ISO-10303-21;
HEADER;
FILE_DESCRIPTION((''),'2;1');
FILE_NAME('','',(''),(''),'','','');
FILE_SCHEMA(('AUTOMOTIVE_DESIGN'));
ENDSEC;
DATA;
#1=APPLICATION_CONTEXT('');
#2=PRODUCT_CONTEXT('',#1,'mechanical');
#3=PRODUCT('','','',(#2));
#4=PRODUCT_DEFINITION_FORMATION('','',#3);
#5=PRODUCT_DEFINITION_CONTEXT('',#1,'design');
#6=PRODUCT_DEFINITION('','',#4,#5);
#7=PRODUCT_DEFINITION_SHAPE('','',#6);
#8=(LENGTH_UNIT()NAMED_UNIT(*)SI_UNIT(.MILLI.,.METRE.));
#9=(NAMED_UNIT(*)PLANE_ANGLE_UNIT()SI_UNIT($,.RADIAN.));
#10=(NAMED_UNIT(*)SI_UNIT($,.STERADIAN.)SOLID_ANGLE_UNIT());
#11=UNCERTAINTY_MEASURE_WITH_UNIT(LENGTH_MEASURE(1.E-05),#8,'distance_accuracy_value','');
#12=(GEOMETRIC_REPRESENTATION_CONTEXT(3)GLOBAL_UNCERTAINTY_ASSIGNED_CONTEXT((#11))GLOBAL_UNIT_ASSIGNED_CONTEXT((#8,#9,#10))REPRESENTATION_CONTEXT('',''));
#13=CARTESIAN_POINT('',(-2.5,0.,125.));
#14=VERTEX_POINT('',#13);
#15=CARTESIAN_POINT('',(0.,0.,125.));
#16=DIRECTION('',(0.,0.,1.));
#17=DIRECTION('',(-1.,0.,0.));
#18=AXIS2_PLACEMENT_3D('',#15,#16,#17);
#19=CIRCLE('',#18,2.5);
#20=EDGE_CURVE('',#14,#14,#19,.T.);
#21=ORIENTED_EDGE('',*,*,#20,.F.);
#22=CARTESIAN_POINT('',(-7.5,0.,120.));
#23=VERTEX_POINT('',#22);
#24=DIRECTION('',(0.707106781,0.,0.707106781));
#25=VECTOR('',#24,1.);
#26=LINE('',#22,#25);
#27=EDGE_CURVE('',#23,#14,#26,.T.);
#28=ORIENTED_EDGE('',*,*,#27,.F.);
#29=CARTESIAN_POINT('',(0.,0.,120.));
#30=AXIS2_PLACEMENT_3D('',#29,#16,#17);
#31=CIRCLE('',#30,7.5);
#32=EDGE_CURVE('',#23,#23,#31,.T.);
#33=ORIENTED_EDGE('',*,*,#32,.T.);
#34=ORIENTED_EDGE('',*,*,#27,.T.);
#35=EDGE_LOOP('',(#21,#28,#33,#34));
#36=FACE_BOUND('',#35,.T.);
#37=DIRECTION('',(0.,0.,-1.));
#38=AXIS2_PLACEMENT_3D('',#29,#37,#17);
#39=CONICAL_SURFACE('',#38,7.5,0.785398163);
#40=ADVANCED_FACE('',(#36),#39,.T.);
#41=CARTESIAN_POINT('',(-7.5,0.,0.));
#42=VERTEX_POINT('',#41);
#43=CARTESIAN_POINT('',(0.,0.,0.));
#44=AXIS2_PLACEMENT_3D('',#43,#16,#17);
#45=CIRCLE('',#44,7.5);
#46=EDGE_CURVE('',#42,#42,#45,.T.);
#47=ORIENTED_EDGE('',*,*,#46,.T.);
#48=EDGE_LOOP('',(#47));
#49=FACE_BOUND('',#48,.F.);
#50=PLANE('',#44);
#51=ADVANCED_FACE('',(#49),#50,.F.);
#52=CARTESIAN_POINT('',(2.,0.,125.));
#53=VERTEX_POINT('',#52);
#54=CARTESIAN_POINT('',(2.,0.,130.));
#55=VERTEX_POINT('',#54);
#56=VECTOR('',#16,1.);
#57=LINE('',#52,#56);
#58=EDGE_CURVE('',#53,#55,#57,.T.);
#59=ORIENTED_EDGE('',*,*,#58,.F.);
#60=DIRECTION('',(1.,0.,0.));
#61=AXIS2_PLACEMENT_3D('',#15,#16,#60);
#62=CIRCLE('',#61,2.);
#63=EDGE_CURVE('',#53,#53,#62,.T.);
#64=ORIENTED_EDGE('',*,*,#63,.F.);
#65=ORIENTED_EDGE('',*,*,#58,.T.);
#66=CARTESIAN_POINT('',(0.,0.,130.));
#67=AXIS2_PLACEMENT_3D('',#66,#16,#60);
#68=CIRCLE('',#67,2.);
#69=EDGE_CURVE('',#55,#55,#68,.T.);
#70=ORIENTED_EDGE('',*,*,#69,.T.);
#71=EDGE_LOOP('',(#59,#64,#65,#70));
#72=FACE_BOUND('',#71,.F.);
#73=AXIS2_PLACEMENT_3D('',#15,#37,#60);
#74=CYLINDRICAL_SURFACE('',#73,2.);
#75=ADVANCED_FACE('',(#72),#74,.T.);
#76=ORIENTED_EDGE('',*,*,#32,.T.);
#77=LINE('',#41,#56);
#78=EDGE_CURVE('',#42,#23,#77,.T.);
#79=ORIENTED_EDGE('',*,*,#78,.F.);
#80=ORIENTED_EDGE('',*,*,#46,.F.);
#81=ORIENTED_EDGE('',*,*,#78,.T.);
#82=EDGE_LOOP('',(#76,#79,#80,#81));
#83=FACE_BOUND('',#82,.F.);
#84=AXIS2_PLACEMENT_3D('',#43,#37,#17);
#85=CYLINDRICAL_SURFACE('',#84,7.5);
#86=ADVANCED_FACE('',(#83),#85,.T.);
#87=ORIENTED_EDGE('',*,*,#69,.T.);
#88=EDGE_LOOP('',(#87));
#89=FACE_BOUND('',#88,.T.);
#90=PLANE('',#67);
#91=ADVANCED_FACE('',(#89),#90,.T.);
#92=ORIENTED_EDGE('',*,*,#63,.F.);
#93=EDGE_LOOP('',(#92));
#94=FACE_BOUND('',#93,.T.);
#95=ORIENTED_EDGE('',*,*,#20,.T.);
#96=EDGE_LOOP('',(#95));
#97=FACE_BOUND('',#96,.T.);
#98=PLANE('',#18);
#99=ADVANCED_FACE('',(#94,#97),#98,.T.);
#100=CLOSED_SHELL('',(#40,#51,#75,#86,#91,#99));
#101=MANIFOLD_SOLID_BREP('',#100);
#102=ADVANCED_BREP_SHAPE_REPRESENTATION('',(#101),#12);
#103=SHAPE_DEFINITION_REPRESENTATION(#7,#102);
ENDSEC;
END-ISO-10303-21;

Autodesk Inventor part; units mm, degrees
ref_plane "YZ Plane" through (0, 0, 0) normal (1, 0, 0) x (0, 1, 0)
ref_plane "XZ Plane" through (0, 0, 0) normal (0, 1, 0) x (-1, 0, 0)
ref_plane "XY Plane" through (0, 0, 0) normal (0, 0, 1) x (1, 0, 0)
sketch "Sketch2" plane through (0, 0, 0) normal (0, 0, 1) x (-1, 0, 0)
  circle A0 centre (0, 0) radius 7.5
  dimension "d0" = 15
extrude "Extrusion1" add sketch "Sketch2" along normal blind 125
sketch "Sketch3" plane through (0, 0, 125) normal (0, 0, 1) x (1, 0, 0)
  circle A0 centre (0, 0) radius 2
  dimension "d3" = 4
extrude "Extrusion2" add sketch "Sketch3" along normal blind 5
chamfer "Chamfer1" distance 5 angle 45 1 edges at (7.5, 0, 125)
properties part number "Marcador"
